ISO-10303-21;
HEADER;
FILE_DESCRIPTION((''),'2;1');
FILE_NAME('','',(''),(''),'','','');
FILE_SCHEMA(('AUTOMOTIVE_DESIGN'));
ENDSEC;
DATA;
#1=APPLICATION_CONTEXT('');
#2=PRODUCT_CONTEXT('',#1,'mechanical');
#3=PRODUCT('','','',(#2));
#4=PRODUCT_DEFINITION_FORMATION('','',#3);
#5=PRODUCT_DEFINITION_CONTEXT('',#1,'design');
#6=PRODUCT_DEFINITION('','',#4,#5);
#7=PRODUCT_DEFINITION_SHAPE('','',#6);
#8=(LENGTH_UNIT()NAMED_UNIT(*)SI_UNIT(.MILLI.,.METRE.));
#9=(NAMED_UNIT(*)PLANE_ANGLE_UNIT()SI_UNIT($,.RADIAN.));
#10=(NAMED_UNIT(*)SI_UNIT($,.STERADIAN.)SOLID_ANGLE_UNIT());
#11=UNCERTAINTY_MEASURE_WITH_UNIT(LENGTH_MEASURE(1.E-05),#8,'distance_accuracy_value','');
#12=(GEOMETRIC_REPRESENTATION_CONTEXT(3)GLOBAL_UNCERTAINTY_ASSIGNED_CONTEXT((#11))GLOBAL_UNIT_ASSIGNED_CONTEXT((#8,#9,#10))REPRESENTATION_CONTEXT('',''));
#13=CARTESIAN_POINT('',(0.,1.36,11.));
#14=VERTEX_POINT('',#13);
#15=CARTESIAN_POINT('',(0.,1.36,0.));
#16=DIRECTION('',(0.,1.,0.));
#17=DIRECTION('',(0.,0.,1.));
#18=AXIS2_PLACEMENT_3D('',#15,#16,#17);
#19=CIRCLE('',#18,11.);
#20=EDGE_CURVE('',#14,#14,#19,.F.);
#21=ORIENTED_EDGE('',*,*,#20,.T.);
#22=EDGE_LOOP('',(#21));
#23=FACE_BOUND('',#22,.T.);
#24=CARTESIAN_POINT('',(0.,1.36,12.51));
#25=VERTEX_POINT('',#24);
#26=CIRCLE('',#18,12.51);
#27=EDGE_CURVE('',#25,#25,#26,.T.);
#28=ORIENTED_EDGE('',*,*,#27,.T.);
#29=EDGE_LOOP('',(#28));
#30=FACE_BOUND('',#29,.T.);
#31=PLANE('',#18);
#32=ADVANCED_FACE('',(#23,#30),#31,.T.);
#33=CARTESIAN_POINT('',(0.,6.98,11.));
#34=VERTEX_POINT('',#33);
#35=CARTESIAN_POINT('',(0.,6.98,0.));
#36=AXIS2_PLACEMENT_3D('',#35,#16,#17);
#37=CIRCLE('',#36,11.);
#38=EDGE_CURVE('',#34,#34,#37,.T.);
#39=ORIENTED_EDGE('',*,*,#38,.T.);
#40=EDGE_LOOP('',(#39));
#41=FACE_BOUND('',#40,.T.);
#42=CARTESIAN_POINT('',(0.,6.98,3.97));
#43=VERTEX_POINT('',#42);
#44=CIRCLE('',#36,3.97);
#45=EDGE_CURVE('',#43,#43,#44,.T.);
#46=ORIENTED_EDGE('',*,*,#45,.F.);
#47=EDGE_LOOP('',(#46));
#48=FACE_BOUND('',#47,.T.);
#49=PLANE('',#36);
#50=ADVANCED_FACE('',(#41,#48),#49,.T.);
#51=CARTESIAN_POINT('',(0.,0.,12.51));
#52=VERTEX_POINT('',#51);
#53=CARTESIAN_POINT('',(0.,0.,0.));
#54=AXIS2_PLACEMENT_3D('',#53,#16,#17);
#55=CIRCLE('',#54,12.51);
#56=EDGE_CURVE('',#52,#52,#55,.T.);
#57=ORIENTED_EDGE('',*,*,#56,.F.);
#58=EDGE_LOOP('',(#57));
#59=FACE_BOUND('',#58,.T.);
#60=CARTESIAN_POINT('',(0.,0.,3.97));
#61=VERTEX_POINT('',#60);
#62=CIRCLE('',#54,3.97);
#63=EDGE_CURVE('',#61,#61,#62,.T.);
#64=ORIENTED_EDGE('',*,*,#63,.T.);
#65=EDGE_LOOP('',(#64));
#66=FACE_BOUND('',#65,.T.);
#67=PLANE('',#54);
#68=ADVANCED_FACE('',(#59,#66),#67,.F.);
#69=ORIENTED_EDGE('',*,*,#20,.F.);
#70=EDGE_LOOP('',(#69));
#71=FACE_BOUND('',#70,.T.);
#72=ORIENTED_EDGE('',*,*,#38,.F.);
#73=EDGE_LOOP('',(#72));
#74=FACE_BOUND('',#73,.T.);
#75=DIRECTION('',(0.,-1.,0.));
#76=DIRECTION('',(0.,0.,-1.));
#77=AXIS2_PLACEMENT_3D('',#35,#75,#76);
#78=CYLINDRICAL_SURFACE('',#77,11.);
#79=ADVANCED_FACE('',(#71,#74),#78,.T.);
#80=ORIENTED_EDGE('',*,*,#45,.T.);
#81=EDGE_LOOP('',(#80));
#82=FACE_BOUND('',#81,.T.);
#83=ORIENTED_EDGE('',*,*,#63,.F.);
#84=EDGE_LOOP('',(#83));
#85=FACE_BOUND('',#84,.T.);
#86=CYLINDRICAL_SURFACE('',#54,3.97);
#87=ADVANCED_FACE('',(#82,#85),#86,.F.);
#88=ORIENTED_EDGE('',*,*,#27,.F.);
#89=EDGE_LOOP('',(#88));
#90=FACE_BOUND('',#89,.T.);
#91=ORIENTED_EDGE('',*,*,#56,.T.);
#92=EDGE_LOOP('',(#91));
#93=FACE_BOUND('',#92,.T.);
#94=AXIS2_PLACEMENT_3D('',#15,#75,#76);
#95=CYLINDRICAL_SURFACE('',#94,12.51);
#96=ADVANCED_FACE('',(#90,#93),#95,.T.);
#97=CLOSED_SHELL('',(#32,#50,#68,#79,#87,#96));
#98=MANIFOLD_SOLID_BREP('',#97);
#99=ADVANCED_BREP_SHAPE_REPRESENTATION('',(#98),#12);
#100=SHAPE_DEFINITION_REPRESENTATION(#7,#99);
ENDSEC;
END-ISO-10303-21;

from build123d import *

# Parameters (mm, degrees)
SKETCH1_R           = 12.51
BOSS_EXTRUDE1_DEPTH = 1.36
BOSS_EXTRUDE2_START = -1.36
SKETCH2_R           = 11
BOSS_EXTRUDE2_DEPTH = 6.98
SKETCH3_R           = 3.97
CUT_EXTRUDE1_DEPTH  = 20.018953704


with BuildPart() as part:
    # Sketch1 → Boss-Extrude1 (new body)
    with BuildSketch(Plane(origin=(0, 0, 0), x_dir=(1, 0, 0), z_dir=(0, 1, 0))):
        with Locations(Location((0, 0, 0), (0, 0, 270))):
            Circle(SKETCH1_R)
    extrude(amount=BOSS_EXTRUDE1_DEPTH)

    # Sketch2 → Boss-Extrude2 (add)
    with BuildSketch(Plane(origin=(0, 1.36, 0), x_dir=(1, 0, 0), z_dir=(0, 1, 0)).offset(BOSS_EXTRUDE2_START)):
        with Locations(Location((0, 0, 0), (0, 0, 270))):
            Circle(SKETCH2_R)
    extrude(amount=BOSS_EXTRUDE2_DEPTH)

    # Sketch3 → Cut-Extrude1 (cut, through all)
    with BuildSketch(Plane(origin=(0, 6.98, 0), x_dir=(1, 0, 0), z_dir=(0, 1, 0))):
        with Locations(Location((0, 0, 0), (0, 0, 270))):
            Circle(SKETCH3_R)
    extrude(amount=-CUT_EXTRUDE1_DEPTH, mode=Mode.SUBTRACT)


solid = part.part
